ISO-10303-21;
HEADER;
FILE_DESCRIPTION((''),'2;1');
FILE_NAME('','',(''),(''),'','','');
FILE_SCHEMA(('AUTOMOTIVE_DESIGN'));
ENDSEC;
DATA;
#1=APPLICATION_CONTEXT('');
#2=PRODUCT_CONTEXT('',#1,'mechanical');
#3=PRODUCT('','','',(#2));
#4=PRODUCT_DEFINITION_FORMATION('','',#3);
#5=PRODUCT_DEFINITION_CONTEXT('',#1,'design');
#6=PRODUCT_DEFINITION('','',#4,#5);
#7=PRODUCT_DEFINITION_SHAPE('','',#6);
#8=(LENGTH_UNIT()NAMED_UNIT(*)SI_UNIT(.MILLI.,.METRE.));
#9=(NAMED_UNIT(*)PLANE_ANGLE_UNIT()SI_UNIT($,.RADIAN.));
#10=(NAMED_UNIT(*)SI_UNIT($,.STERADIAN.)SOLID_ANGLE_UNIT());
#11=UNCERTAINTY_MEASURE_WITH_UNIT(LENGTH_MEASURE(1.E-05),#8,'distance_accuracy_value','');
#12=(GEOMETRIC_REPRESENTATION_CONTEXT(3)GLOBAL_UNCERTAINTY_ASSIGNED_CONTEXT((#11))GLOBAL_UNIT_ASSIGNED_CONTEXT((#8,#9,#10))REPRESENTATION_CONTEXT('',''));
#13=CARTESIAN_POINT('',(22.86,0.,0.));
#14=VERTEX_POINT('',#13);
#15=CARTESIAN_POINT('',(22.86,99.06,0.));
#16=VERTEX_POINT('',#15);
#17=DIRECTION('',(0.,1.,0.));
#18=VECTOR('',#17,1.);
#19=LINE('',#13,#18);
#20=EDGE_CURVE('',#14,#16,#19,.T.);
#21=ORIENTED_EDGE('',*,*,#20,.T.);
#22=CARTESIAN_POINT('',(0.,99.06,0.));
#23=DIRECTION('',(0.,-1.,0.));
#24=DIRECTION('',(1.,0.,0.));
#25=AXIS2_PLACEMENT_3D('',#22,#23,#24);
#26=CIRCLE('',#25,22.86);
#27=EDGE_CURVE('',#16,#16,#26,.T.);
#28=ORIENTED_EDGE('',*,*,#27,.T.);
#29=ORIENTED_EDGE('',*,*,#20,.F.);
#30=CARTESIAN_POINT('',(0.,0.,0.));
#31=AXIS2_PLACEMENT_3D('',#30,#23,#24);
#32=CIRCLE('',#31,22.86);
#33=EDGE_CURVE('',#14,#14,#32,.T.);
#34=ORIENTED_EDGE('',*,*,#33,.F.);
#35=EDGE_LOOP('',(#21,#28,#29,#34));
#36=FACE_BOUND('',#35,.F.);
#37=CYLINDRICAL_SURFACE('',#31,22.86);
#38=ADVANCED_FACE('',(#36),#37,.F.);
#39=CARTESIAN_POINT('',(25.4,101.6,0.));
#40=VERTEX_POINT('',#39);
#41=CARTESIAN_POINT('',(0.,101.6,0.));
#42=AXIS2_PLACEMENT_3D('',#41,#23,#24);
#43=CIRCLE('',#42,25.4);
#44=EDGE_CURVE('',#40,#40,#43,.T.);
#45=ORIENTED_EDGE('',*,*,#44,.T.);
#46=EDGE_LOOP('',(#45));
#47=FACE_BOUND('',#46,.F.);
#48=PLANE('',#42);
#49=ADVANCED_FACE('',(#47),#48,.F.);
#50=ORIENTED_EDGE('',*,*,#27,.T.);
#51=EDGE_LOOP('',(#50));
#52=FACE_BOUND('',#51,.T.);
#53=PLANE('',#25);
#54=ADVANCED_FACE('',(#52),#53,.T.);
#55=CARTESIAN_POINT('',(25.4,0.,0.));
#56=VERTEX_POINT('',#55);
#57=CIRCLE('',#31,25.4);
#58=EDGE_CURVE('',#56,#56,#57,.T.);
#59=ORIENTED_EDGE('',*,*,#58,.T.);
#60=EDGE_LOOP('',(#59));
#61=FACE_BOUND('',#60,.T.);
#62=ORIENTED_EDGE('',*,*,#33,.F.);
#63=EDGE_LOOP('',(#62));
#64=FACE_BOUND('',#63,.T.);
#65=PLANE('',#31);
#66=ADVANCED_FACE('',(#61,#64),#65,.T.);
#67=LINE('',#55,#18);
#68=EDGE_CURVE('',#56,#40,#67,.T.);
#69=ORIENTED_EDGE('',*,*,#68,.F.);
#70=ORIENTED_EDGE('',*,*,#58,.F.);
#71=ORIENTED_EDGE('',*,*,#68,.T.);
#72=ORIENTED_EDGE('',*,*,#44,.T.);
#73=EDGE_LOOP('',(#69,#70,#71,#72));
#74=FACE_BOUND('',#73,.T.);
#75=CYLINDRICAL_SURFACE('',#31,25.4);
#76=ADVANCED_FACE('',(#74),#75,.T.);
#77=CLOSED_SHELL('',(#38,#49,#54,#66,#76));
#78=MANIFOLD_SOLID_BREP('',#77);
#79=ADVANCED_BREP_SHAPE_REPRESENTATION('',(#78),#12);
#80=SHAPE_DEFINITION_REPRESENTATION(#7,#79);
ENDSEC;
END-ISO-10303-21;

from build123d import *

# Parameters (mm, degrees)
F0_R     = 25.4
F1_DEPTH = 101.6
F2_T     = -2.54


with BuildPart() as f1:
    # F0 (on Front) → F1 (new body)
    with BuildSketch(Plane.XZ):
        Circle(F0_R)
    extrude(amount=-F1_DEPTH)

    # F2
    f2_openings = [f1.faces().sort_by_distance(p)[0] for p in [
        (0, 0, 0),
    ]]
    offset(amount=F2_T, openings=f2_openings)


solid = f1.part
